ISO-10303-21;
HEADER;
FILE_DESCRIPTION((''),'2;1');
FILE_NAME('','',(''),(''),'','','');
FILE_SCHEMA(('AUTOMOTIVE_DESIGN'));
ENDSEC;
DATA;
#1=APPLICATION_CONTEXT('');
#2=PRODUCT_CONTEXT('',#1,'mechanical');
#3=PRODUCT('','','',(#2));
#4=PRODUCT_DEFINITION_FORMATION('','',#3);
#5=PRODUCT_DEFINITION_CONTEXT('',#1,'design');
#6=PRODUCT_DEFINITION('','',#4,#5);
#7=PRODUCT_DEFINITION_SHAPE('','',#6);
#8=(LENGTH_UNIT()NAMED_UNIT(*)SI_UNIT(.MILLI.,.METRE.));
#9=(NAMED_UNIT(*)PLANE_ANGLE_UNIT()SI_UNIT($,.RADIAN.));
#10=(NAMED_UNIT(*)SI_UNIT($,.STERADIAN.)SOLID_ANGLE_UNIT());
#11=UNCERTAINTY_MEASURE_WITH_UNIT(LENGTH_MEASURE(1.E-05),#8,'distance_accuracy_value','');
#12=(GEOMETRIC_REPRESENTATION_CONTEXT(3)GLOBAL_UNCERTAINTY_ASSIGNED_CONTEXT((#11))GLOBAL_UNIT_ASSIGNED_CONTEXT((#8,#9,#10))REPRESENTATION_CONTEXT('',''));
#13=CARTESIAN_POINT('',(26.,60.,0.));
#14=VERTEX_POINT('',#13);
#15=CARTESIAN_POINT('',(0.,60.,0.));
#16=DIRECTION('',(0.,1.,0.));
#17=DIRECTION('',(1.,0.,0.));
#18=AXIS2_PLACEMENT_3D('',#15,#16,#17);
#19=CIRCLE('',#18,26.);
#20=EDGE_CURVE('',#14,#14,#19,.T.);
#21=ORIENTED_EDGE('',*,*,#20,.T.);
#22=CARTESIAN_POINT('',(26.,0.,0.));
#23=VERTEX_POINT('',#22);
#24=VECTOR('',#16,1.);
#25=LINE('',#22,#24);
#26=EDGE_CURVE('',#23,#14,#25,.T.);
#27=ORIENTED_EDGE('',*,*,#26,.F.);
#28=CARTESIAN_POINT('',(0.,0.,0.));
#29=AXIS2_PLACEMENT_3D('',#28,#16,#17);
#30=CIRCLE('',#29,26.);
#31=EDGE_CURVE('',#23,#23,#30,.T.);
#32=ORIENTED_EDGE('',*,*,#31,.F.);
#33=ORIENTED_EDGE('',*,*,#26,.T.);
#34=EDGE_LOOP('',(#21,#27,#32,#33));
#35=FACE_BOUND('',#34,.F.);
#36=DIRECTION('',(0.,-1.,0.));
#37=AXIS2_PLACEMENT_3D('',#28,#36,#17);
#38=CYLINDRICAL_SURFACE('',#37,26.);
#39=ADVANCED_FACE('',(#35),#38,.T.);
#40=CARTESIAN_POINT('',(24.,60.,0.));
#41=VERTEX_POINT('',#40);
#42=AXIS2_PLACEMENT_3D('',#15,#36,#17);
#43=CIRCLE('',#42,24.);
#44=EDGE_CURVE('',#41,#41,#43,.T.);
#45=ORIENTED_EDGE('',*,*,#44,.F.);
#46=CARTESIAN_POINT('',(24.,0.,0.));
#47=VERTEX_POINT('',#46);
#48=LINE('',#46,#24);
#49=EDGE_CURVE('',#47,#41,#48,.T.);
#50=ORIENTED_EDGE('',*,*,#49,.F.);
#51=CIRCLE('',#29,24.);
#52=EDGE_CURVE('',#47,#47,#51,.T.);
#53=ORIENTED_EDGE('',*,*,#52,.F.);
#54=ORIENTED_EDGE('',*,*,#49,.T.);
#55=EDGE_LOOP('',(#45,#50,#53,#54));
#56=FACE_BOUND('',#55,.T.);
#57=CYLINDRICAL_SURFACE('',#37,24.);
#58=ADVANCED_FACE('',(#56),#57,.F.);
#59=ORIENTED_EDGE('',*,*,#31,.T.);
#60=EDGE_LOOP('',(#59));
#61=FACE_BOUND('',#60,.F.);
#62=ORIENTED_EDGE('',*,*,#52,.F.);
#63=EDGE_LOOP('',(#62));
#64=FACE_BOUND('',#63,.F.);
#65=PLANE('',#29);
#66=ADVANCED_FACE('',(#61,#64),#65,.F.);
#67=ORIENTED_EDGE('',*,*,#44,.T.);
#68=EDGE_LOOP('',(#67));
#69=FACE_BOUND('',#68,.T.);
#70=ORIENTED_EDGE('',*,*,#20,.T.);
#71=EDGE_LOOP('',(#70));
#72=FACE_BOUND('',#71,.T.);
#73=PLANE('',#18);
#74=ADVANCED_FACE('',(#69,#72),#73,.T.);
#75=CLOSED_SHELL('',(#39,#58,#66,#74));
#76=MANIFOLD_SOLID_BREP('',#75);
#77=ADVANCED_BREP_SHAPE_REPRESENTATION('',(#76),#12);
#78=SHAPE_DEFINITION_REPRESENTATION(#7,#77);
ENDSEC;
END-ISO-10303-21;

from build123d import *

# Parameters (mm, degrees)
SKETCH_1_R         = 26
SKETCH_1_R_2       = 24
EXTRUDE_1_DEPTH    = 70
SKETCH1_R          = 26
CUT_EXTRUDE1_DEPTH = 10


with BuildPart() as part:
    # 草图1 → 凸台-拉伸1 (new body)
    with BuildSketch(Plane(origin=(0, 0, 0), x_dir=(1, 0, 0), z_dir=(0, 1, 0))):
        Circle(SKETCH_1_R)
        Circle(SKETCH_1_R_2, mode=Mode.SUBTRACT)
    extrude(amount=EXTRUDE_1_DEPTH)

    # Sketch1 → Cut-Extrude1 (cut)
    with BuildSketch(Plane(origin=(0, 70, 0), x_dir=(1, 0, 0), z_dir=(0, 1, 0))):
        Circle(SKETCH1_R)
    extrude(amount=-CUT_EXTRUDE1_DEPTH, mode=Mode.SUBTRACT)


solid = part.part
